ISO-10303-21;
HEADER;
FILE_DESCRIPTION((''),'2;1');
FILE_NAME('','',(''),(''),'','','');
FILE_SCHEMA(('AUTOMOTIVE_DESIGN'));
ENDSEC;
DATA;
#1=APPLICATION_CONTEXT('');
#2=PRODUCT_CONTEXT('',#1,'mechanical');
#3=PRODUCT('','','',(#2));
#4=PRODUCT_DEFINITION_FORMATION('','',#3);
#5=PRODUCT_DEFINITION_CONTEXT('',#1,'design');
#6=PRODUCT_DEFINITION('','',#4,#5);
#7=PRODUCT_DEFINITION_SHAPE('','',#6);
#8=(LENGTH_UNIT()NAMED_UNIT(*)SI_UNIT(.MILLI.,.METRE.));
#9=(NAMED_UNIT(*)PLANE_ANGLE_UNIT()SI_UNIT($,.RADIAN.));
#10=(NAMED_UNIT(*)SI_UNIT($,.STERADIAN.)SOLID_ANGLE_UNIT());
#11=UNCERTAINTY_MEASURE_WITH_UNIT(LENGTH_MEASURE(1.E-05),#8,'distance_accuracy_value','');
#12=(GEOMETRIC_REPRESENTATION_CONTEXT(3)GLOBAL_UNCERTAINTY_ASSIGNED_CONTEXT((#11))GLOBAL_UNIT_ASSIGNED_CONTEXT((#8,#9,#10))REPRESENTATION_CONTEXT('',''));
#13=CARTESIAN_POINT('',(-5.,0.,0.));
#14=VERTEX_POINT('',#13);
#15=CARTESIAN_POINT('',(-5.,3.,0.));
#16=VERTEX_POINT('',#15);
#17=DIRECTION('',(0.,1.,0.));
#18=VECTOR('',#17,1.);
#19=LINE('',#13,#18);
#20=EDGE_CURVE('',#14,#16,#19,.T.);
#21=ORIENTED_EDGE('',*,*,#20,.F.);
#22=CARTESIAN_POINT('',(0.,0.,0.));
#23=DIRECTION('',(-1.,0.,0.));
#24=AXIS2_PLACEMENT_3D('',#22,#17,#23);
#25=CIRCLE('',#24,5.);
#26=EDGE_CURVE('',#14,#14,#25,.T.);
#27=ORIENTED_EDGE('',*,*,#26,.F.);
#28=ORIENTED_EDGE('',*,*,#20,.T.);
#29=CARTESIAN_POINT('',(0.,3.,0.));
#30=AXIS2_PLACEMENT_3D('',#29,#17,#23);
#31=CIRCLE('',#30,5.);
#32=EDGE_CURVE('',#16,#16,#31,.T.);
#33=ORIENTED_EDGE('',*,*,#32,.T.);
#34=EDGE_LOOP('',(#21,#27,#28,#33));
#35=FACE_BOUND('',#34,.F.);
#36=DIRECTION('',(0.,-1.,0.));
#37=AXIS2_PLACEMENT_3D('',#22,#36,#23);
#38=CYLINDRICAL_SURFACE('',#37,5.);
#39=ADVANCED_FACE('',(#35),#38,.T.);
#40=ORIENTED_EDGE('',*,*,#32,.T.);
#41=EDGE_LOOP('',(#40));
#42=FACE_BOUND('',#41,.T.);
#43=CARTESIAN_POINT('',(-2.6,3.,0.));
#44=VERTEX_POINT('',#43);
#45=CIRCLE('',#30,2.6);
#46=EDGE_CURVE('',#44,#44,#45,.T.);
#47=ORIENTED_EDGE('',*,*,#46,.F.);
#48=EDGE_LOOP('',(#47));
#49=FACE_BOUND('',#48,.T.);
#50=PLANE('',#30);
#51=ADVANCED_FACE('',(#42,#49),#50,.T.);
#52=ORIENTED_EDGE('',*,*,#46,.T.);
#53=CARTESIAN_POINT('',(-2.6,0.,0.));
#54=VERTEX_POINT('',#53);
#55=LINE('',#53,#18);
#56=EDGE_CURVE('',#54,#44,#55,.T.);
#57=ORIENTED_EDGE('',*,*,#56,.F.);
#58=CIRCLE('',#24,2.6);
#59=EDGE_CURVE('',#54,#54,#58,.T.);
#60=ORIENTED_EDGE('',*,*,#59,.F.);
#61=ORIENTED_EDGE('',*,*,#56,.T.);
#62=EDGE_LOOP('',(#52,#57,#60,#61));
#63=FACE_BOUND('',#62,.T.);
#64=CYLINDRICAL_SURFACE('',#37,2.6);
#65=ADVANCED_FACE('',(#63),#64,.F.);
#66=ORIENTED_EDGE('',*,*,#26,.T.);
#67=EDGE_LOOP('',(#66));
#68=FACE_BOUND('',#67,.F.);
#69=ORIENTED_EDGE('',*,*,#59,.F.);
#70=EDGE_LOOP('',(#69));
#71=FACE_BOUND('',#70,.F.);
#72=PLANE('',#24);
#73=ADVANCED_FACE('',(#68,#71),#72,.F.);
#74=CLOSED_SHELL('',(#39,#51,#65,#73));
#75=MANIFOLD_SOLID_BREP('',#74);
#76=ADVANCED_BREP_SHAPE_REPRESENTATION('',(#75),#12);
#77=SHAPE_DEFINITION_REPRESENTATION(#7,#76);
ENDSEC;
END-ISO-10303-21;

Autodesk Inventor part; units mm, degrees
ref_plane "YZ Plane" through (0, 0, 0) normal (1, 0, 0) x (0, 1, 0)
ref_plane "XZ Plane" through (0, 0, 0) normal (0, 1, 0) x (-1, 0, 0)
ref_plane "XY Plane" through (0, 0, 0) normal (0, 0, 1) x (1, 0, 0)
sketch "Washer Cross Section" plane through (0, 0, 0) normal (0, 1, 0) x (-1, 0, 0)
  circle A0 centre (0, 0) radius 5
  circle A1 centre (0, 0) radius 2.6
  dimension "d0" = 10
  dimension "d1" = 5.2
extrude "Washer" add sketch "Washer Cross Section" along normal blind 3
properties part number "HPW-5.2-10-3-N" material "Nylon 6/6"
